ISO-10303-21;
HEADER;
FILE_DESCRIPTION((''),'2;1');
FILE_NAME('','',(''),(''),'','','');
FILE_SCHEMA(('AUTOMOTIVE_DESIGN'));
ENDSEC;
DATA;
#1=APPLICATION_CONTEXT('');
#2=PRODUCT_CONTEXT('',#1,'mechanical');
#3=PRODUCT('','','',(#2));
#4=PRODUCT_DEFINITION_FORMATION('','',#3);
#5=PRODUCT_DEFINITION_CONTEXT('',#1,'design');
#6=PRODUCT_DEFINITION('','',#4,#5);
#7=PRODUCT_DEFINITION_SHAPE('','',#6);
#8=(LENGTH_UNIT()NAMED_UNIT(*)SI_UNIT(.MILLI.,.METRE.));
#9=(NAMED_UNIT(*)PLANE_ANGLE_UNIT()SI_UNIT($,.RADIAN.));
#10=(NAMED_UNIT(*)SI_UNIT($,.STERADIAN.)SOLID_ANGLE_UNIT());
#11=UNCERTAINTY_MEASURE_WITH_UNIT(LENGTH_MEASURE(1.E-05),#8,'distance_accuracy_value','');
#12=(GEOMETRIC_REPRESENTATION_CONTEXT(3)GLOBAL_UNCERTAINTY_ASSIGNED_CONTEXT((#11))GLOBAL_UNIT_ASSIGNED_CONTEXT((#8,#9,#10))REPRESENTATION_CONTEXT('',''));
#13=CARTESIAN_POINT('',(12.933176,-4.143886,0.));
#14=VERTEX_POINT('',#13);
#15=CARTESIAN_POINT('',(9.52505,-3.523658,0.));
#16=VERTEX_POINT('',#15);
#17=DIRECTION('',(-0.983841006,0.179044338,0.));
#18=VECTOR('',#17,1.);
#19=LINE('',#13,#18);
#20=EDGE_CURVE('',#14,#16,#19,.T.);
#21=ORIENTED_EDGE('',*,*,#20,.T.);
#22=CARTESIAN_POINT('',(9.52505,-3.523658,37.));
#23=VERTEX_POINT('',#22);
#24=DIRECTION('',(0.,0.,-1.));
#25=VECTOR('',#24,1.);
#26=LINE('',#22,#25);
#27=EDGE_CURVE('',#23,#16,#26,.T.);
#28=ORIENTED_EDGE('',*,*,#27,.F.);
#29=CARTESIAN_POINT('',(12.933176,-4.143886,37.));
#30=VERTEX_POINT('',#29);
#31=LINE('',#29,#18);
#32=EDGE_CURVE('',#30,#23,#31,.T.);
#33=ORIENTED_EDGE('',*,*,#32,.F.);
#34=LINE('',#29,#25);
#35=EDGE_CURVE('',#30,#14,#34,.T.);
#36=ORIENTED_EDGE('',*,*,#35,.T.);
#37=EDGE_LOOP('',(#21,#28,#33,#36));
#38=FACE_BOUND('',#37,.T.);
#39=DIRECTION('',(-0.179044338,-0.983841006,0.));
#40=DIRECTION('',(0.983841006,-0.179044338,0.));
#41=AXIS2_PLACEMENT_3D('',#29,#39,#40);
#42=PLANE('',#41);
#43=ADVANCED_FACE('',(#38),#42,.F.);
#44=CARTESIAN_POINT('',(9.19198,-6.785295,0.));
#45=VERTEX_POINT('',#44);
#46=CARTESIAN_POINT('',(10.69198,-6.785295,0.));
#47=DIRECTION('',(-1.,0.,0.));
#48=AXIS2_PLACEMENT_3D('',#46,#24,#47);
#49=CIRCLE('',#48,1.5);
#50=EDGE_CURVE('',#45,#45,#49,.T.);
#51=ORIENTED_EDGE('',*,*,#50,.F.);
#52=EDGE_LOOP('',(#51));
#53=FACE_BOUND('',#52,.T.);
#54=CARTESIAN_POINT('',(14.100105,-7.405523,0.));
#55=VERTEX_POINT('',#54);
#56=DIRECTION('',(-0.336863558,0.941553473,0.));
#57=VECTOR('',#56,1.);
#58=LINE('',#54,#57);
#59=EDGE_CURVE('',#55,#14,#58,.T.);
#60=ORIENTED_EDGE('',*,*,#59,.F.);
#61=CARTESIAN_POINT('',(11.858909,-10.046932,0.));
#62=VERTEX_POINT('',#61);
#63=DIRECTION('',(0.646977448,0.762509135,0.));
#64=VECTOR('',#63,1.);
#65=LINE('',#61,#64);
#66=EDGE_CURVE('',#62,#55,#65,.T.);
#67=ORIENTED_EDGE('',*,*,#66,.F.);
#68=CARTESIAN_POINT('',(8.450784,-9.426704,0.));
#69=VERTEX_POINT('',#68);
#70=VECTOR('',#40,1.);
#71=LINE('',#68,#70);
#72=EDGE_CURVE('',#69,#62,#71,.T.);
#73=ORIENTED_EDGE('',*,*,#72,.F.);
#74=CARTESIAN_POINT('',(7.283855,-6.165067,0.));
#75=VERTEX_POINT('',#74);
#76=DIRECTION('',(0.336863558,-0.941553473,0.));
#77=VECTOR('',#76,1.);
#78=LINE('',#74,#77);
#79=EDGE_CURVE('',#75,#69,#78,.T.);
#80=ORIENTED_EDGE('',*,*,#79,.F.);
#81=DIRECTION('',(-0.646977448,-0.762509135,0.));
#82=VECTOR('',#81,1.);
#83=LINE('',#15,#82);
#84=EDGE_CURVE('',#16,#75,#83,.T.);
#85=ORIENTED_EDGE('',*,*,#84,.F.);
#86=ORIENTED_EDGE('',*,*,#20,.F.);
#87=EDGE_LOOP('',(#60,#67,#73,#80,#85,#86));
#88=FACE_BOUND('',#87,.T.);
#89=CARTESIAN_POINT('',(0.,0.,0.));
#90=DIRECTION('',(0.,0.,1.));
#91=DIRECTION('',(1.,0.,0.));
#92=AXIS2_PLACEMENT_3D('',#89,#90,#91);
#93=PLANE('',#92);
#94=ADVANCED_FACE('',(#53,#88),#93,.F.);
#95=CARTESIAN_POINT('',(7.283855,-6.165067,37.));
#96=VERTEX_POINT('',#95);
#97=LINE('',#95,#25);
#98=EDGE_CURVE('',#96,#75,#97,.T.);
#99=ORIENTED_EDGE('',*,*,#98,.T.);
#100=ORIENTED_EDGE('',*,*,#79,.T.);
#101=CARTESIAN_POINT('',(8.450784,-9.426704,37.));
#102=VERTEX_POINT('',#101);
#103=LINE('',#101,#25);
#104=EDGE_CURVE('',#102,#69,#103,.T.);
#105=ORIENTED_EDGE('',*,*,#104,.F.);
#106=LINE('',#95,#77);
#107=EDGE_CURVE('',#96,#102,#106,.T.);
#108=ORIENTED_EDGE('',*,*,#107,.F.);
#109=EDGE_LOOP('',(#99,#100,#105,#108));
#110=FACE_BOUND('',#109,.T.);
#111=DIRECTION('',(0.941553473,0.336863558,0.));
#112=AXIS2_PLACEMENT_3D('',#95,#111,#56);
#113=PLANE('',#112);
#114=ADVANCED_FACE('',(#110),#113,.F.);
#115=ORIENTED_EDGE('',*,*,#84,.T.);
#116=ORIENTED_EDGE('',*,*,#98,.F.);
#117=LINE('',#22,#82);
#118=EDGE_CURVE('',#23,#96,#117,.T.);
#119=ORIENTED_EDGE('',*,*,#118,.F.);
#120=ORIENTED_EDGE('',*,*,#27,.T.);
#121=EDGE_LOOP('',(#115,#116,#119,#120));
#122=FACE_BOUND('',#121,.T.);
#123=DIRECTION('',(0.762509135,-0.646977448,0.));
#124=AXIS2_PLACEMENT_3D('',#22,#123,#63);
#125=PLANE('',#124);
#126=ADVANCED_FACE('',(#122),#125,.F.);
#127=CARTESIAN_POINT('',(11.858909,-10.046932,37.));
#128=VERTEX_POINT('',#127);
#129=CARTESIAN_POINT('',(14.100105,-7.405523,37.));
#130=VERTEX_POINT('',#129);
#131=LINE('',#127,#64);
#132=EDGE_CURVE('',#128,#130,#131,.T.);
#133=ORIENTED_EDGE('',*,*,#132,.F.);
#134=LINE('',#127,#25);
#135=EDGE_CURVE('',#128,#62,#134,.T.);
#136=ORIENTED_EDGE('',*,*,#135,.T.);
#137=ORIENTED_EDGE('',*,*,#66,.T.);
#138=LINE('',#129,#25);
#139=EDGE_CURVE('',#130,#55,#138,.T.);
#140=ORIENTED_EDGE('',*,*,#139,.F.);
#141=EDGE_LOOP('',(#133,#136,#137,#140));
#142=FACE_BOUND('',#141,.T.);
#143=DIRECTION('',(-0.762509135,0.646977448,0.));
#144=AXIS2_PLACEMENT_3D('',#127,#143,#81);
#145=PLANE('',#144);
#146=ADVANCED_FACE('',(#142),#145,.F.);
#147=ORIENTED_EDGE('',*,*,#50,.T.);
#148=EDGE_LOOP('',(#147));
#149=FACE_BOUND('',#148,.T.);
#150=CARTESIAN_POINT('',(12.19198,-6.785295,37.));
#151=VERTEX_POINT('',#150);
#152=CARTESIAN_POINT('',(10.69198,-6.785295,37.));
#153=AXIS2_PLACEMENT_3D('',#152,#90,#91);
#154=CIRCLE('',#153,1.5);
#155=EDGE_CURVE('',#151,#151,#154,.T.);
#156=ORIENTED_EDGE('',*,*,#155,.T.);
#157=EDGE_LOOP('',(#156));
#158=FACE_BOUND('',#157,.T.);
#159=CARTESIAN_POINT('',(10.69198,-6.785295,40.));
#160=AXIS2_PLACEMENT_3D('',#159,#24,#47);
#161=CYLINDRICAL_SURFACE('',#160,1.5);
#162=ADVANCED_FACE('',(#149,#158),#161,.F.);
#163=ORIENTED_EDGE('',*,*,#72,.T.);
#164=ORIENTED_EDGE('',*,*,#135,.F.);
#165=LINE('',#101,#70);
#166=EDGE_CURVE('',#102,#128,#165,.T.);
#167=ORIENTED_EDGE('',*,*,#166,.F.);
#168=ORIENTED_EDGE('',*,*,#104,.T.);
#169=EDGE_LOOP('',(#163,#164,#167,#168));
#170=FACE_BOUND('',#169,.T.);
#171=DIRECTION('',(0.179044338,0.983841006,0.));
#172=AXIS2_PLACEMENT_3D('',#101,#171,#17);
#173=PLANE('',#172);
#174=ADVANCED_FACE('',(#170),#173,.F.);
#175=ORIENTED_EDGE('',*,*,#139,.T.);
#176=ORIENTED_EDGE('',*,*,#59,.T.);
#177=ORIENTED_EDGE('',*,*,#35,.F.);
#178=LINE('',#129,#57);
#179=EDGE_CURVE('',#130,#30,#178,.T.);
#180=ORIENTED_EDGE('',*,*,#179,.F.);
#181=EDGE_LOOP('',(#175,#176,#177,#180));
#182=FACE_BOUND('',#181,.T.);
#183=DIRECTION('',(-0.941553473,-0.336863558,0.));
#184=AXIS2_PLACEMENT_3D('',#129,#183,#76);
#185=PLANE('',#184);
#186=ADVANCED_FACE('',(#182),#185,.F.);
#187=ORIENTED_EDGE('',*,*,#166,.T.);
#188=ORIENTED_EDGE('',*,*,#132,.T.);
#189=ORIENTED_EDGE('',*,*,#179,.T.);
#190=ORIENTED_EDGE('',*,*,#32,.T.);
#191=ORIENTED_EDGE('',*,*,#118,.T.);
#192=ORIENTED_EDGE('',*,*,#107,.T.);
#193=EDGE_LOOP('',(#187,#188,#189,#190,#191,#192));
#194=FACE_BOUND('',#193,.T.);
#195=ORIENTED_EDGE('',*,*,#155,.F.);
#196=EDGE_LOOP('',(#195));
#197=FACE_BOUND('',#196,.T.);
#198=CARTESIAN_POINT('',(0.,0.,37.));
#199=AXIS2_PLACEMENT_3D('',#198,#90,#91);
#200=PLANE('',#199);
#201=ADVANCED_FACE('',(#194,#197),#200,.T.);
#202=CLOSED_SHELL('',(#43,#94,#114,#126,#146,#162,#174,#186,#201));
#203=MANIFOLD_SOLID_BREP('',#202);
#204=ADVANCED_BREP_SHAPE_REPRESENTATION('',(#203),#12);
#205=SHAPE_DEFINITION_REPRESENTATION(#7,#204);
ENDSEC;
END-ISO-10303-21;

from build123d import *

# Parameters (mm, degrees)
RESSALTO_EXTRUS_O1_DEPTH = 37
ESBO_O4_R                = 1.5
CORTE_EXTRUS_O2_DEPTH    = 40


with BuildPart() as part:
    # Esboço1 → Ressalto-extrusão1 (new body)
    with BuildSketch(Plane.XY):
        Polygon((12.933175524, -4.143885809), (9.525050306, -3.523658029), (7.283854683, -6.165067156), (8.450784277, -9.426704064), (11.858909495, -10.046931845), (14.100105118, -7.405522718), align=None)
    extrude(amount=RESSALTO_EXTRUS_O1_DEPTH)

    # Esboço4 → Corte-extrusão2 (cut)
    with BuildSketch(Plane(origin=(0, 0, 0), x_dir=(-1, 0, 0), z_dir=(0, 0, -1))):
        with Locations((-10.691979901, -6.785294937)):
            Circle(ESBO_O4_R)
    extrude(amount=-CORTE_EXTRUS_O2_DEPTH, mode=Mode.SUBTRACT)


solid = part.part
